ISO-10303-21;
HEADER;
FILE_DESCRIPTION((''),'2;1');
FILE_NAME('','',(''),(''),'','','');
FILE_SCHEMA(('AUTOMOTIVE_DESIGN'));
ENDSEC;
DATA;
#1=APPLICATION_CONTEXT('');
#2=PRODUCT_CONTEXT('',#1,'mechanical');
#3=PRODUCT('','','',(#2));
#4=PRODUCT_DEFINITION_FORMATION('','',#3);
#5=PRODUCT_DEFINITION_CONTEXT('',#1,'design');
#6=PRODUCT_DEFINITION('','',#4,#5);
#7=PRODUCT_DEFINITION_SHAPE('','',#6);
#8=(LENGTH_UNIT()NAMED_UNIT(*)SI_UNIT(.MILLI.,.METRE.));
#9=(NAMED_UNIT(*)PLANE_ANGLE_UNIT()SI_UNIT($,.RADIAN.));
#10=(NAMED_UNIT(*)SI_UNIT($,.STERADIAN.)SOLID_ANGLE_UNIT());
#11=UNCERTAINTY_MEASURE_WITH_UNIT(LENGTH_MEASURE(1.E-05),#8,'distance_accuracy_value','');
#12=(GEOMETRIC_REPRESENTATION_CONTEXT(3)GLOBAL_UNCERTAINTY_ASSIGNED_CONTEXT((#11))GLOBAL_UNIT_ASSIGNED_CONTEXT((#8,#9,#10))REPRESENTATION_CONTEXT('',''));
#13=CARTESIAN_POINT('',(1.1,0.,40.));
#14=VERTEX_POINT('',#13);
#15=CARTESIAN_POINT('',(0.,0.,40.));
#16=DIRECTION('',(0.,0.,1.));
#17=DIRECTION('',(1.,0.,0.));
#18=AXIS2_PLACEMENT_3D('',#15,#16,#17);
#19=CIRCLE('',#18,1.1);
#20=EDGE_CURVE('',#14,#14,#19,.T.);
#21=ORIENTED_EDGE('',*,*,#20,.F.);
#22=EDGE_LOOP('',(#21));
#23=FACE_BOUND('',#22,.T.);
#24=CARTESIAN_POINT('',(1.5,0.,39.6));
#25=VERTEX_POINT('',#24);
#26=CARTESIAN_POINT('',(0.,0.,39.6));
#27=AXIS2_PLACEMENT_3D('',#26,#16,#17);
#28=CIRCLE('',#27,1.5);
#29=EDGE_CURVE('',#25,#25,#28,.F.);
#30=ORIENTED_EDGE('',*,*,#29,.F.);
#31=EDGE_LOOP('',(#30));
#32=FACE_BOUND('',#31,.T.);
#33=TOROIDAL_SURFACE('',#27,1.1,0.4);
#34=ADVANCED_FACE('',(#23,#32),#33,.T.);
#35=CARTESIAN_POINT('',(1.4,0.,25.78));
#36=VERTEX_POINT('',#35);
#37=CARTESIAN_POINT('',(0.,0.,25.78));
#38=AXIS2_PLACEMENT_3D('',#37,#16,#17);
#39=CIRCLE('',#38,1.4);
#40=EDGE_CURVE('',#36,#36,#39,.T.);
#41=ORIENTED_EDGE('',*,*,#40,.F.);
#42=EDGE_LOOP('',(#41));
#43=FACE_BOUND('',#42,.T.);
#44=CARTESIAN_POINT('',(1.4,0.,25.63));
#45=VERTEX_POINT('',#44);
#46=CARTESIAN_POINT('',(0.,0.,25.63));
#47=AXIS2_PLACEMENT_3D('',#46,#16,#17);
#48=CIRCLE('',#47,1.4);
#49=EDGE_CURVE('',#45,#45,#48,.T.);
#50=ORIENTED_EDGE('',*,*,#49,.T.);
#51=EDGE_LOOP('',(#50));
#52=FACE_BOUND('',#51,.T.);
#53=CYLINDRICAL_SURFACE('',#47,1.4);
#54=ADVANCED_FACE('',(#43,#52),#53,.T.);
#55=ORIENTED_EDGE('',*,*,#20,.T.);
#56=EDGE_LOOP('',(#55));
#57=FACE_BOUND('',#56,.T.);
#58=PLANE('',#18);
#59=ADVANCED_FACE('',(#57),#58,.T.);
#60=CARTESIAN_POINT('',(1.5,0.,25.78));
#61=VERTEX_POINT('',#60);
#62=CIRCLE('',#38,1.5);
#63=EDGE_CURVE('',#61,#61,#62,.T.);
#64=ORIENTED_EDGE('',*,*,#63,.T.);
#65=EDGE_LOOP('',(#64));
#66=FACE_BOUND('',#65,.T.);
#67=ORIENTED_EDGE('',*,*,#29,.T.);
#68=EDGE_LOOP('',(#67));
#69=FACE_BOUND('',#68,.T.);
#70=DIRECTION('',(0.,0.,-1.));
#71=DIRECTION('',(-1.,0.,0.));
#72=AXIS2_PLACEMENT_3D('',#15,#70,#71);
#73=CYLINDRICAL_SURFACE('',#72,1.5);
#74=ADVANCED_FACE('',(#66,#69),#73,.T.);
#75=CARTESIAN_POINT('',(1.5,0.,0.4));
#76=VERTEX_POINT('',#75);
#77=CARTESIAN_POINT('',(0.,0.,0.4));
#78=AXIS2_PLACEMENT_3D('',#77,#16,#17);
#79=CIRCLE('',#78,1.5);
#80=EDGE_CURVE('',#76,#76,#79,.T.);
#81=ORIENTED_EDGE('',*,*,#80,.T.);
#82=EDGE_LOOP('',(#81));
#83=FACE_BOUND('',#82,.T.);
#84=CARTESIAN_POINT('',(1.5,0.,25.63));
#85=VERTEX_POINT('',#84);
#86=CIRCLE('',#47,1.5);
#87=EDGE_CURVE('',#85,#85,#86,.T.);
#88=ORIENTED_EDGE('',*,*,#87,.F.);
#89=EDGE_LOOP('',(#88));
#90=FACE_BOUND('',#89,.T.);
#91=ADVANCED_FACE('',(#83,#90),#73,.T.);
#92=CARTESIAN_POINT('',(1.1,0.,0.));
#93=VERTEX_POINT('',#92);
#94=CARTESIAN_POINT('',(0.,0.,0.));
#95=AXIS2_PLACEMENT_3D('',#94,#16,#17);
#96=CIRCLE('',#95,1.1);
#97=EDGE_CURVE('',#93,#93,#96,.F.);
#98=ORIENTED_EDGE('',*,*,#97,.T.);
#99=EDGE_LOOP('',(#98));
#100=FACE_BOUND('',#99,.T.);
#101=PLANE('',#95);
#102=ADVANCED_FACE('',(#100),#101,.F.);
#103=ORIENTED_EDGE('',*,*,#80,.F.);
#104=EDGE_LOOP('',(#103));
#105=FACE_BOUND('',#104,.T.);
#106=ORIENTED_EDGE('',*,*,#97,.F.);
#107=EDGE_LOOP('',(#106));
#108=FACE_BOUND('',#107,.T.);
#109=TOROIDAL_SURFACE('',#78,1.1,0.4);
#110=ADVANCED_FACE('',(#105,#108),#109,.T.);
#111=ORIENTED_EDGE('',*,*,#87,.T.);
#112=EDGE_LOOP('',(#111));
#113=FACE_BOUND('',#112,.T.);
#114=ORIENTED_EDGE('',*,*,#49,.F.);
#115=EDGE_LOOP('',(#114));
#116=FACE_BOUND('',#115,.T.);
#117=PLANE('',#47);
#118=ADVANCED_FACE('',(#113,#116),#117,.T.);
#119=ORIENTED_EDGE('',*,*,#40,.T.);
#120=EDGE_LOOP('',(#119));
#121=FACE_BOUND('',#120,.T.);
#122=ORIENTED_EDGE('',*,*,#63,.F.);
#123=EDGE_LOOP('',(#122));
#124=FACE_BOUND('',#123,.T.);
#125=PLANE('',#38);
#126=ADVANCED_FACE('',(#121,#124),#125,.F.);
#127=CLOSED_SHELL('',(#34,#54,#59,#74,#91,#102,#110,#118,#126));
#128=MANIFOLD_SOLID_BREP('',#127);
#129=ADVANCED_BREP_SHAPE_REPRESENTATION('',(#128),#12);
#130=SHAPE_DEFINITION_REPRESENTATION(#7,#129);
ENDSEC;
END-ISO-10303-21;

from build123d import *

# Parameters (mm, degrees)
SKETCH1_R           = 1.5
BOSS_EXTRUDE1_DEPTH = 40
FILLET1_R           = 0.4
SKETCH2_R           = 2.972656176
SKETCH2_R_2         = 1.4
CUT_EXTRUDE1_DEPTH  = 0.15


with BuildPart() as part:
    # Sketch1 → Boss-Extrude1 (new body)
    with BuildSketch(Plane.XY):
        Circle(SKETCH1_R)
    extrude(amount=BOSS_EXTRUDE1_DEPTH)

    # Fillet1
    fillet1_edges = [part.edges().sort_by_distance(p)[0] for p in [
        (-1.5, 0, 0),
        (-1.5, 0, 40),
    ]]
    fillet(fillet1_edges, radius=FILLET1_R)

    # Sketch2 → Cut-Extrude1 (cut)
    with BuildSketch(Plane.XY.offset(25.78)):
        Circle(SKETCH2_R)
        Circle(SKETCH2_R_2, mode=Mode.SUBTRACT)
    extrude(amount=-CUT_EXTRUDE1_DEPTH, mode=Mode.SUBTRACT)


solid = part.part
